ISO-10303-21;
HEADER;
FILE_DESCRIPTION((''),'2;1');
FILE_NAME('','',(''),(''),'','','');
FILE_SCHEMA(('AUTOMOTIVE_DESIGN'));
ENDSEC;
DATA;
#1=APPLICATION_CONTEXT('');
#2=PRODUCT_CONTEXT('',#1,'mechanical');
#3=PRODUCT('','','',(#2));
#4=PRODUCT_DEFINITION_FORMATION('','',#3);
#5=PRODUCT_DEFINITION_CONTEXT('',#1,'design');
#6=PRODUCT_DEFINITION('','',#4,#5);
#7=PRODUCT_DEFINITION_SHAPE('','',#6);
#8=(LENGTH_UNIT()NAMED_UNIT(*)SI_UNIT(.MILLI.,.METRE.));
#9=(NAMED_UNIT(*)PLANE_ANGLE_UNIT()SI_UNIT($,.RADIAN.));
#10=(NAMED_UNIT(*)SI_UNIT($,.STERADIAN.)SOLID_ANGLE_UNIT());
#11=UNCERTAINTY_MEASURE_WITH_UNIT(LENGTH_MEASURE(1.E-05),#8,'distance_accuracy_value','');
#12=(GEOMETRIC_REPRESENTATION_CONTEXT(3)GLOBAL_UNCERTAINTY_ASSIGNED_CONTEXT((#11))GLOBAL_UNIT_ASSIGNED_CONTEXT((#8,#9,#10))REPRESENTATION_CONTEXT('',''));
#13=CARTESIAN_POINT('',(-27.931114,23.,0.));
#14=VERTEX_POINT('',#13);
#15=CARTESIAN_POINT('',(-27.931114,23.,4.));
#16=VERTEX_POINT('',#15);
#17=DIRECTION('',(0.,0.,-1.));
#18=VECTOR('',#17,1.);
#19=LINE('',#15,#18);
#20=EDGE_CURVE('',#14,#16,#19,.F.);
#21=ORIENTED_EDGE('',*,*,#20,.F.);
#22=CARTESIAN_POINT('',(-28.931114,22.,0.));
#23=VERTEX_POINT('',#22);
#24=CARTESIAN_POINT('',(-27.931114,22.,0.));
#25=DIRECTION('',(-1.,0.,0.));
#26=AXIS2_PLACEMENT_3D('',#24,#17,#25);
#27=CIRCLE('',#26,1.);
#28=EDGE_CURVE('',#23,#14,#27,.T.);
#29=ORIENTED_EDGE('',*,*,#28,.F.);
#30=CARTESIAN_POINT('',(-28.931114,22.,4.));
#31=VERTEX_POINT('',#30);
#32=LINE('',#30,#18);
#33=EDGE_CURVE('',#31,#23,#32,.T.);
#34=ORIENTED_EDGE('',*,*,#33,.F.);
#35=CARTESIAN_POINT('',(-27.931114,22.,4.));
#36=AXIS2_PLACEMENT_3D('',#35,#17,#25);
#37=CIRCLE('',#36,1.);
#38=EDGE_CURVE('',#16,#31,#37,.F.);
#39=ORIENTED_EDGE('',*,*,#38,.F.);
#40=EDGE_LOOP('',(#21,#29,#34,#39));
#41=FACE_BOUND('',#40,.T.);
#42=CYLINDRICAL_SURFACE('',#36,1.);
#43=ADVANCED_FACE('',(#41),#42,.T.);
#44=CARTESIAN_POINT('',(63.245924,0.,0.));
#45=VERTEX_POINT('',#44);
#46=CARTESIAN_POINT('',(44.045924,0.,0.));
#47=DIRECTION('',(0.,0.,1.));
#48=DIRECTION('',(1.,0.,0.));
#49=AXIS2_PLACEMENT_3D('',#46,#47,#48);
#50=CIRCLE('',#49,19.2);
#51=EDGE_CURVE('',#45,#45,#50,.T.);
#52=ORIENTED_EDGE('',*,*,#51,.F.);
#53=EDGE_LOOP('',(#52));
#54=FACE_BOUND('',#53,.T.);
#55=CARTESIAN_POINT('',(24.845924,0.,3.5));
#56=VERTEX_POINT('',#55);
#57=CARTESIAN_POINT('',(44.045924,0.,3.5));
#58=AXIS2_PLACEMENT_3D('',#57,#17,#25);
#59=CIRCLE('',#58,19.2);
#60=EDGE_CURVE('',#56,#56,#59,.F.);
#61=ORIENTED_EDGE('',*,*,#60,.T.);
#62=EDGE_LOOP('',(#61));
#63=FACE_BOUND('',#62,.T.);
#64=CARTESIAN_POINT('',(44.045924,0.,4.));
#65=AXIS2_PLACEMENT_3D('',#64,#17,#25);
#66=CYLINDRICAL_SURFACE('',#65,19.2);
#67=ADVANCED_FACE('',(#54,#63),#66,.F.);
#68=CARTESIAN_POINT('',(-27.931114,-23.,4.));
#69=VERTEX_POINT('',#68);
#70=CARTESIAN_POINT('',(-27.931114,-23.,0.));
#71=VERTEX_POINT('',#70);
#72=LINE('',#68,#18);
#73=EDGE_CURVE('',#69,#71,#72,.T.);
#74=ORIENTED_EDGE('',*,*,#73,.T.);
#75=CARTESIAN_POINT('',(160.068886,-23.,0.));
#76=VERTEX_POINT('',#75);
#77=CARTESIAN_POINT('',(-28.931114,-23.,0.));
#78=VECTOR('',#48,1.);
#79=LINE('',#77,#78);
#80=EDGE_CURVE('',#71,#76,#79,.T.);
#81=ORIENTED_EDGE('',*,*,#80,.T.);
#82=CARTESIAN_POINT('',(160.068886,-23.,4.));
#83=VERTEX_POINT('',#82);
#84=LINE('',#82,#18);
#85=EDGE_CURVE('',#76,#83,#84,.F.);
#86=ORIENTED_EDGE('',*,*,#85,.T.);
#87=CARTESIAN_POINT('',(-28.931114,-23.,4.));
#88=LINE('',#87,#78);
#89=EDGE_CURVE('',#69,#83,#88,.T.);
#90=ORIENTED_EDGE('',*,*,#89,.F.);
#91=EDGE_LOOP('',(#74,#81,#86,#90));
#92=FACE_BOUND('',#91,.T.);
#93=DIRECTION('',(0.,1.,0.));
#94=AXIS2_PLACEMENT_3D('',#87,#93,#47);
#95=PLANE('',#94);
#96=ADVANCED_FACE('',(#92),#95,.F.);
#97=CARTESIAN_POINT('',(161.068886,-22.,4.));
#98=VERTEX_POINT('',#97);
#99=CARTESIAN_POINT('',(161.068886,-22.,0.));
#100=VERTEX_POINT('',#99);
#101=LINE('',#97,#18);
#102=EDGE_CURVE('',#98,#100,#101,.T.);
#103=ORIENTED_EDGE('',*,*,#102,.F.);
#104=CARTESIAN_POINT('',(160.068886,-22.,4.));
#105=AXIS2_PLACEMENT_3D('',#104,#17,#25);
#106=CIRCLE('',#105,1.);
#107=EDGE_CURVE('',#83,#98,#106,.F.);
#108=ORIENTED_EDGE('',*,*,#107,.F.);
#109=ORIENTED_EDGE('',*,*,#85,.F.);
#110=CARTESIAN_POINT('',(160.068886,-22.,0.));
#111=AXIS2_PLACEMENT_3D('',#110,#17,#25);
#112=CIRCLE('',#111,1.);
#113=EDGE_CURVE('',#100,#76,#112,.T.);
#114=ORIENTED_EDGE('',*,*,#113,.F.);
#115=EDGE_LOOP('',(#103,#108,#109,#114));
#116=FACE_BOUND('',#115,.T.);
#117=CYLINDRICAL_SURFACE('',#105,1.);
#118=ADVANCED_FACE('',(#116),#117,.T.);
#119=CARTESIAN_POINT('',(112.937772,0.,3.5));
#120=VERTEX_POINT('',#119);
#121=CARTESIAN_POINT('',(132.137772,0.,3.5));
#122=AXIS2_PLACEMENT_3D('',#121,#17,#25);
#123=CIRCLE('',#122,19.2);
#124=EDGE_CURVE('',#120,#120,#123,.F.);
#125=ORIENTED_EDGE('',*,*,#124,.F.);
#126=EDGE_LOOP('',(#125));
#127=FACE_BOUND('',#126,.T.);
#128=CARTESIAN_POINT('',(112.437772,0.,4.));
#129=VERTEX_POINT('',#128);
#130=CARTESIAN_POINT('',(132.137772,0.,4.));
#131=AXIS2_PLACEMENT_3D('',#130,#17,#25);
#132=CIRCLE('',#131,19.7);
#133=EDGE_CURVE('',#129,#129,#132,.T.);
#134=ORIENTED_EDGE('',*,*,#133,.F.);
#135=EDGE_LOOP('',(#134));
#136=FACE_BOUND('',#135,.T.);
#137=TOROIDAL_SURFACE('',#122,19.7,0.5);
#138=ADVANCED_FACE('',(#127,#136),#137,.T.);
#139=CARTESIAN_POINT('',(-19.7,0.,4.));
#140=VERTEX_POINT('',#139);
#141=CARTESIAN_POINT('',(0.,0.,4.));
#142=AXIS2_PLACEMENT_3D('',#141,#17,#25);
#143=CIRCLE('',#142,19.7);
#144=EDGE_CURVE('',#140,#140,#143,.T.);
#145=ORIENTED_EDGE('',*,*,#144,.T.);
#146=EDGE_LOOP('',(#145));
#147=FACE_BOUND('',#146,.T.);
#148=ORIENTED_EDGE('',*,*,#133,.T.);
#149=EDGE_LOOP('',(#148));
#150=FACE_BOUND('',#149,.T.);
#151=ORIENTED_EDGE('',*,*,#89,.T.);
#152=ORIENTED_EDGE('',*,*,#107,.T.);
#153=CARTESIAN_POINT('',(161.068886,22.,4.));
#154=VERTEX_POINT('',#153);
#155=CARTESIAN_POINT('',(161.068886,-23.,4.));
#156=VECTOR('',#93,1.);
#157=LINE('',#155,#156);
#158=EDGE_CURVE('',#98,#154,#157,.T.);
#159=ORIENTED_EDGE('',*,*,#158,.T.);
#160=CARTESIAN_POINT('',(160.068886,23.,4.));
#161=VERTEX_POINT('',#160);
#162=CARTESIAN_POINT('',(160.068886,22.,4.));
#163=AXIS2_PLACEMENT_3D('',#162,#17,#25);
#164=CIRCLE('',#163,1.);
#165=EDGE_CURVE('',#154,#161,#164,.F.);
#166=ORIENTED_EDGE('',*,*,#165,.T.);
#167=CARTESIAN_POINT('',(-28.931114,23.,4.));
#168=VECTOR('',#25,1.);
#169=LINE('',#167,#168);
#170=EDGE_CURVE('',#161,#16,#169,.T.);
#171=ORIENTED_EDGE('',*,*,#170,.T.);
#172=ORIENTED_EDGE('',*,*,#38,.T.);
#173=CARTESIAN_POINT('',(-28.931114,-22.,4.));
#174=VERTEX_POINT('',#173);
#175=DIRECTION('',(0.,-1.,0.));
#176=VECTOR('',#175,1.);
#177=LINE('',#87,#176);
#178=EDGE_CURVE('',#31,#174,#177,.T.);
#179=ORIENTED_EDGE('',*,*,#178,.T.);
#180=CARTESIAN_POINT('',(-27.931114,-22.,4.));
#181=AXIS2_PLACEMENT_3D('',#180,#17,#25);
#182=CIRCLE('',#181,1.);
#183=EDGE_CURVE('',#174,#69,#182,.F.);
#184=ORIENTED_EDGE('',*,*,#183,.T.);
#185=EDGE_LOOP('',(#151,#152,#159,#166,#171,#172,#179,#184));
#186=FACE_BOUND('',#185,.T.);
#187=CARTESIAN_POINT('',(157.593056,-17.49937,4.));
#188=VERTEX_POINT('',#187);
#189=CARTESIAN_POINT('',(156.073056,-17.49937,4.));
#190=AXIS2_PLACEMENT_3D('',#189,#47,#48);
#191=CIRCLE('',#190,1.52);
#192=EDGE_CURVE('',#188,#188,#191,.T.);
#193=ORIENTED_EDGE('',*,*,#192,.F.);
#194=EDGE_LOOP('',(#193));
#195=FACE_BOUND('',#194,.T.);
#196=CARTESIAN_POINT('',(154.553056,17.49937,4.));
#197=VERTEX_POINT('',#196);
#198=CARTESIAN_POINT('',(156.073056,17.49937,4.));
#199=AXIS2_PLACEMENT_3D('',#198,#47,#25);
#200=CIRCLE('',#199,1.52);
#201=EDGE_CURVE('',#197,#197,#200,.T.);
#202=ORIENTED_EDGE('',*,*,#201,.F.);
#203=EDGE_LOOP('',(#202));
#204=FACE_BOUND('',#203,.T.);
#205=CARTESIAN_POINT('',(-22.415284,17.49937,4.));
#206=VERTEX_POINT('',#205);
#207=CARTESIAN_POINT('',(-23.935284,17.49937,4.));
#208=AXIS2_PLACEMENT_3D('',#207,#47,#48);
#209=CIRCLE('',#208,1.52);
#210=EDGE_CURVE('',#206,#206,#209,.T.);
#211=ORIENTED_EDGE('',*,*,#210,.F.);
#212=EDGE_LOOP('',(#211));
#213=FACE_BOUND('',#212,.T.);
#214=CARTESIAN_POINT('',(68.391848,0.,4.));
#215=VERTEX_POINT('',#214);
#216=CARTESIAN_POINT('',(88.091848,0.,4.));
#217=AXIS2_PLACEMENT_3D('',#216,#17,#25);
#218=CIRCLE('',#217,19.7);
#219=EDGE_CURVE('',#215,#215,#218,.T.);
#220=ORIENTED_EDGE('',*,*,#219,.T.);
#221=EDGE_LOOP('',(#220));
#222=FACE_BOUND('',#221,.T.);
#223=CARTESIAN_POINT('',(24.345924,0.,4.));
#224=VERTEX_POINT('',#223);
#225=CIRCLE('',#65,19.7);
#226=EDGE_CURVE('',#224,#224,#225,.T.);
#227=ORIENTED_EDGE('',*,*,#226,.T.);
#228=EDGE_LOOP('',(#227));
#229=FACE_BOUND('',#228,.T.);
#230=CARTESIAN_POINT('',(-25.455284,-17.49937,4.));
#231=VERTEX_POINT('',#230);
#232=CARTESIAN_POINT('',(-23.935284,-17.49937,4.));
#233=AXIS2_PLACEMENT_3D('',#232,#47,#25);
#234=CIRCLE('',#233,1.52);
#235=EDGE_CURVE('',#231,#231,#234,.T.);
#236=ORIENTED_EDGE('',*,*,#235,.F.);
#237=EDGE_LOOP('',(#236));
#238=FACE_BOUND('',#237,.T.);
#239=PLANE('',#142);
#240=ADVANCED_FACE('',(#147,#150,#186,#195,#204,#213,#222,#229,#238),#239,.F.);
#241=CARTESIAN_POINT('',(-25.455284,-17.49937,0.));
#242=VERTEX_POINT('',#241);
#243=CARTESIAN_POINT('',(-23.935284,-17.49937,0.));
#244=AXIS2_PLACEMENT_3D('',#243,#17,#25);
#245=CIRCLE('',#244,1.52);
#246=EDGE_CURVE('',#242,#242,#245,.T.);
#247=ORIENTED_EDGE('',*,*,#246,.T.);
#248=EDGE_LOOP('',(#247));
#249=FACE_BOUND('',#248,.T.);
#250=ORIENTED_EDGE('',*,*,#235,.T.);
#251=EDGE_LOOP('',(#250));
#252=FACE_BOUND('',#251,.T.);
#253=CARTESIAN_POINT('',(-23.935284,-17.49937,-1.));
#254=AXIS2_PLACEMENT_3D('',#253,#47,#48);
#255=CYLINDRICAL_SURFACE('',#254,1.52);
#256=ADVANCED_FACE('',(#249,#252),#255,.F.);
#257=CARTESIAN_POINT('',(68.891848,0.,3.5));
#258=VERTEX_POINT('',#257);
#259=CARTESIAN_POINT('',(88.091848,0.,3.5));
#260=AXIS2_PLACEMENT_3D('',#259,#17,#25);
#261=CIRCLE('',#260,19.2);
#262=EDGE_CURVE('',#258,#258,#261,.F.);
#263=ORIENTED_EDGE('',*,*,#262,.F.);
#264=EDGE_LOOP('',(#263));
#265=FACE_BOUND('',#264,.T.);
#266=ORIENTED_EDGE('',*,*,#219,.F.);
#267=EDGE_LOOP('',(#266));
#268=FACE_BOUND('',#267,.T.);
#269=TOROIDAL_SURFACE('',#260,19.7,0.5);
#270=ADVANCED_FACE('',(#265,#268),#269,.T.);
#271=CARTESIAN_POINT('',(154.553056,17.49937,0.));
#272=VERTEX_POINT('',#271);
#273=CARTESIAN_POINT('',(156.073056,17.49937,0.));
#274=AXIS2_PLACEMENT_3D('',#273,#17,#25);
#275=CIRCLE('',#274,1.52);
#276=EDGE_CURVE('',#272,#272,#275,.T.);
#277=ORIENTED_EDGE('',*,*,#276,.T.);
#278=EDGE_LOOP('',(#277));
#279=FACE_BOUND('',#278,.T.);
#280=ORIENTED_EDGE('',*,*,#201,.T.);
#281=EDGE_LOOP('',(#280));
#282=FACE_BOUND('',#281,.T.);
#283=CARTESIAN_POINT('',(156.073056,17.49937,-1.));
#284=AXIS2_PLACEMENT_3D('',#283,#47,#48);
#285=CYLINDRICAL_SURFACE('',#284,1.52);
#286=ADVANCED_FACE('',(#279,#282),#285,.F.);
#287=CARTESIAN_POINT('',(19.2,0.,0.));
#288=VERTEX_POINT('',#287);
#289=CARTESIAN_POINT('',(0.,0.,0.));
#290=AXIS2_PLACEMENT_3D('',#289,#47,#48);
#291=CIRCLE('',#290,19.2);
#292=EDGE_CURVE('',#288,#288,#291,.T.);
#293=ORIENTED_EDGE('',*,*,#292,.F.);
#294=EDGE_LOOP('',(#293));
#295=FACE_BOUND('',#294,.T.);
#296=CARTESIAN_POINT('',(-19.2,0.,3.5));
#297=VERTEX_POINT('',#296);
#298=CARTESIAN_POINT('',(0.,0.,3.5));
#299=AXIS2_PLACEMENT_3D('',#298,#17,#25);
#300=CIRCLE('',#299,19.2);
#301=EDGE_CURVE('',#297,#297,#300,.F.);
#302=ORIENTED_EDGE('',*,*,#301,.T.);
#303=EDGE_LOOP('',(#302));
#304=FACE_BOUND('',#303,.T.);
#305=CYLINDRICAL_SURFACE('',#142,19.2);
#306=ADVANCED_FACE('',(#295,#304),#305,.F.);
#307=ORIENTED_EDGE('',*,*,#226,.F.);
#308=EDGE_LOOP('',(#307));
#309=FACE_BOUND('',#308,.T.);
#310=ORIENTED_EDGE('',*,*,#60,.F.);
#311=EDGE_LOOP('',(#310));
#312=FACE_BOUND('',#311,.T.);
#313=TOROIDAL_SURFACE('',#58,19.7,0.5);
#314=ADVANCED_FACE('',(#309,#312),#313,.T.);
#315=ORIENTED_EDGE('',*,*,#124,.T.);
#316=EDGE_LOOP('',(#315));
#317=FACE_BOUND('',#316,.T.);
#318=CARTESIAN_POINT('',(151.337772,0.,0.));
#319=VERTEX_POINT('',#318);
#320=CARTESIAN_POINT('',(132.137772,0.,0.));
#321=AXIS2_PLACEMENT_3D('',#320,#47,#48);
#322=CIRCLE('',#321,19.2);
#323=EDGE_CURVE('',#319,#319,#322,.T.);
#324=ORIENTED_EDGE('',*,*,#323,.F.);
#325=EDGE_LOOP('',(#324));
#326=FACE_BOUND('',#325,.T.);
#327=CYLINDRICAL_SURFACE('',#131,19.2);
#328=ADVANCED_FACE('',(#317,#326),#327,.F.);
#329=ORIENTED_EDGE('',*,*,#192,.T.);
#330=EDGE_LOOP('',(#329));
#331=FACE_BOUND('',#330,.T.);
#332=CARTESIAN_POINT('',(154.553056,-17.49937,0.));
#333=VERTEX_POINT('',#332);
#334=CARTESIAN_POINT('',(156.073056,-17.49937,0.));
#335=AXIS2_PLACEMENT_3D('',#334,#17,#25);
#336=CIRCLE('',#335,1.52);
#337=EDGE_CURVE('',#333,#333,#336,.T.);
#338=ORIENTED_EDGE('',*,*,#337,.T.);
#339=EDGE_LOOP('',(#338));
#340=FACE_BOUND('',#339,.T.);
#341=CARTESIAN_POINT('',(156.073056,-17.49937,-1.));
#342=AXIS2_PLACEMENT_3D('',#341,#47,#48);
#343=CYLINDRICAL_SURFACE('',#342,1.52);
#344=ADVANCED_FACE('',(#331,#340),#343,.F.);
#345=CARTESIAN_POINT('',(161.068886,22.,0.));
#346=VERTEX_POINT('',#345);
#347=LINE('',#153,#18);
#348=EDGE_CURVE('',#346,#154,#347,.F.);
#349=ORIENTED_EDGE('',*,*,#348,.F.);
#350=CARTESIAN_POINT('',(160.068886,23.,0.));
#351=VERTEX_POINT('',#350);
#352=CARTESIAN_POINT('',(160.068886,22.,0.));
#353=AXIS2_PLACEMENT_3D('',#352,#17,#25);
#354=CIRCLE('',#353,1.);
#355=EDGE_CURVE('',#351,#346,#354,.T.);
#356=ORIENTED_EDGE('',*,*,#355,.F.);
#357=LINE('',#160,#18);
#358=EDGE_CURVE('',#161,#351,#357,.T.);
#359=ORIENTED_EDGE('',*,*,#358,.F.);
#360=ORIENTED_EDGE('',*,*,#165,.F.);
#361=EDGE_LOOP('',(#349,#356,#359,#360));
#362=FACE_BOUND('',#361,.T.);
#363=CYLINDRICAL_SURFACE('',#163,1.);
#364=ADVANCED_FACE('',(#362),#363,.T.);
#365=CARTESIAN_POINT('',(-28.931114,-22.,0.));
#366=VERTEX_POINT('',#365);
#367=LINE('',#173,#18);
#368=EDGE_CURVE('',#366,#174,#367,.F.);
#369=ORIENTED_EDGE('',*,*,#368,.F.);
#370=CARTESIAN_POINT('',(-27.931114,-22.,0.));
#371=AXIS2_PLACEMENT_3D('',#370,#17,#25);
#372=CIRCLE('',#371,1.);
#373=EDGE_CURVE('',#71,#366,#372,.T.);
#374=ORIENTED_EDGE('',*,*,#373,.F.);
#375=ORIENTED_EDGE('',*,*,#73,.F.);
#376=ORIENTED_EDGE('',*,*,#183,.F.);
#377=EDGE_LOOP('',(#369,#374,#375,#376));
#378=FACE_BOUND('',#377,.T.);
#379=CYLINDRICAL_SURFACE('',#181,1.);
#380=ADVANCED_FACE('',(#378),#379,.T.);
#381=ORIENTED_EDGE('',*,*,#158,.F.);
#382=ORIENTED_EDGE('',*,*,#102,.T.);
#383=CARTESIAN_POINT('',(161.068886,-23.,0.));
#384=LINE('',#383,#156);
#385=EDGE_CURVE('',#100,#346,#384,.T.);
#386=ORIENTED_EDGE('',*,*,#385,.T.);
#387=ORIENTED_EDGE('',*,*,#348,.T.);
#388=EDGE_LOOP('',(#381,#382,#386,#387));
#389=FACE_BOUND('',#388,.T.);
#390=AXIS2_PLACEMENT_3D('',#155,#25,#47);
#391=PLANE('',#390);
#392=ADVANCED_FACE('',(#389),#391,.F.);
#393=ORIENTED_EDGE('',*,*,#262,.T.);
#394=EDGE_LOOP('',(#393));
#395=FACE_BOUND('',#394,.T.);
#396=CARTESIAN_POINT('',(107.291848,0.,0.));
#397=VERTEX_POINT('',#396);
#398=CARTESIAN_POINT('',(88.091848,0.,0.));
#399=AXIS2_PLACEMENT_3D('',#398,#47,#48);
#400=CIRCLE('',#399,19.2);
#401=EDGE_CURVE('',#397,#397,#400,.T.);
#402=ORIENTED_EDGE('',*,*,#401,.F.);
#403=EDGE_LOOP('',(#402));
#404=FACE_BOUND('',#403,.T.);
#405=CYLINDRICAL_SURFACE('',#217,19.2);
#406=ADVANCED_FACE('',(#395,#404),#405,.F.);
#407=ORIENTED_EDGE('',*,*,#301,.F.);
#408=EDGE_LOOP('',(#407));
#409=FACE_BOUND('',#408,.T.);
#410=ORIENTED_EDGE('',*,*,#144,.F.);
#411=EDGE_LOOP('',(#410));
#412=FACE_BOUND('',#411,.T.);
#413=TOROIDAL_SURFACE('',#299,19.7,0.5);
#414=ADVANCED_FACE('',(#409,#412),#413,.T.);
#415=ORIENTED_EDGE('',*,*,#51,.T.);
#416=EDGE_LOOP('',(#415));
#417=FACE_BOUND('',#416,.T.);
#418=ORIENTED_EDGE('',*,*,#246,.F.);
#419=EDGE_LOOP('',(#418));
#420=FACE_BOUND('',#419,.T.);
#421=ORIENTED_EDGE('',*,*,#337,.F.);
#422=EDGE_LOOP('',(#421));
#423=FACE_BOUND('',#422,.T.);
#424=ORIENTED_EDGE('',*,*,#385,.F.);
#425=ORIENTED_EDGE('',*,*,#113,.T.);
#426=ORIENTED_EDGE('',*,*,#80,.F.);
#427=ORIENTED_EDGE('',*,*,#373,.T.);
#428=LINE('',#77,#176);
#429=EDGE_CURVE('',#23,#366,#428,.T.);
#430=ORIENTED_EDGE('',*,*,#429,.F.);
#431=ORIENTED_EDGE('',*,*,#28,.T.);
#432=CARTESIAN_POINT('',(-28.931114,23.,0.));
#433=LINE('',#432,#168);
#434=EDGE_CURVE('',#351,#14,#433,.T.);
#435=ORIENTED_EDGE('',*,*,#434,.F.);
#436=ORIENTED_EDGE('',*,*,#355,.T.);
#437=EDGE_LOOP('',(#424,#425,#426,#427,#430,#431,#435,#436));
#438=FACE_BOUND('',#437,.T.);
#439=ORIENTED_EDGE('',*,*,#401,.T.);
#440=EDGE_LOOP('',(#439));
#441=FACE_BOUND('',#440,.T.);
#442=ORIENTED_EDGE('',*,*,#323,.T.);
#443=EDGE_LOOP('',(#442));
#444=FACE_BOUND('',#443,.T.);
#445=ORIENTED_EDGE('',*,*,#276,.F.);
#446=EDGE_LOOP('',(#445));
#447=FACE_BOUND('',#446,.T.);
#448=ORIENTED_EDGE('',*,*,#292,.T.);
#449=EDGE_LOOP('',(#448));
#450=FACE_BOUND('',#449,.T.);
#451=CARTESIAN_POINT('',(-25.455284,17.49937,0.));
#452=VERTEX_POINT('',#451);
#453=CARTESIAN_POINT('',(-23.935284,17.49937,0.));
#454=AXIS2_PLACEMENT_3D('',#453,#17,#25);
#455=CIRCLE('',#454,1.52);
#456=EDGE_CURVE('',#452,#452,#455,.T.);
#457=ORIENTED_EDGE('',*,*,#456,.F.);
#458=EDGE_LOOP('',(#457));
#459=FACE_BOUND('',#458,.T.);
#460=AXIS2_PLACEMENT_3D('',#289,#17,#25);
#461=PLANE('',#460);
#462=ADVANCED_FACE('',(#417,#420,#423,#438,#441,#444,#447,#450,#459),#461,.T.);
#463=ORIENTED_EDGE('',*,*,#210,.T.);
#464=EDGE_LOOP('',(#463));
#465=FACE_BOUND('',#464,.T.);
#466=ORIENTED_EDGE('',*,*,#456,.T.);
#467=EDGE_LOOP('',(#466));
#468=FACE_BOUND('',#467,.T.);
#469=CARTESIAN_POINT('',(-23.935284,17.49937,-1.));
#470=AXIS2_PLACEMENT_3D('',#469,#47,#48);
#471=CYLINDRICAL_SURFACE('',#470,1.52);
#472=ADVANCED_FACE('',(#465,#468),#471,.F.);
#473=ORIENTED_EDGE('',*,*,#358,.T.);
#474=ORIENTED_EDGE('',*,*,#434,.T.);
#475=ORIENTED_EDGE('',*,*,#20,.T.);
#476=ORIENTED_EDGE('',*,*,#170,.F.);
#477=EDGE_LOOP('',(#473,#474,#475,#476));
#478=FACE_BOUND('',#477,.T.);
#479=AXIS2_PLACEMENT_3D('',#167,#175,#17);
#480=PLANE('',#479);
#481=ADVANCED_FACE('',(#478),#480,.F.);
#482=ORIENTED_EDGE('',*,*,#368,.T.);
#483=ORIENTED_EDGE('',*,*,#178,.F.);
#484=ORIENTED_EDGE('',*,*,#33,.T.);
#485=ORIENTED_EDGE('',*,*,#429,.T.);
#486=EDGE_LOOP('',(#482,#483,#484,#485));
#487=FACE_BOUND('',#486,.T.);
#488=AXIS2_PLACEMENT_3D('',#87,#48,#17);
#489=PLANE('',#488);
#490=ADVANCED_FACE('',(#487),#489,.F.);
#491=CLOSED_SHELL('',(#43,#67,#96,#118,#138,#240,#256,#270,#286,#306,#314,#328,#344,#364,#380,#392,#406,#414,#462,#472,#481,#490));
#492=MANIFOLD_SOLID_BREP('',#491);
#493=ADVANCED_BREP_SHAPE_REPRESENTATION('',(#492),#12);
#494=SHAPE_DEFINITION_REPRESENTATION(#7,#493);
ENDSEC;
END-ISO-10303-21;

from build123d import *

# Parameters (mm, degrees)
ESQUISSE1_W             = 190
ESQUISSE1_H             = 46
ESQUISSE1_R             = 19.2
BOSS_EXTRU_1_DEPTH      = 4
ESQUISSE2_R             = 1.52
ENL_V_MAT_EXTRU_1_DEPTH = 5
CONG_2_R                = 1
CONG_3_R                = 0.5


with BuildPart() as part:
    # Esquisse1 → Boss.-Extru.1 (new body)
    with BuildSketch(Plane.XY):
        with Locations((66.068886156, 0)):
            Rectangle(ESQUISSE1_W, ESQUISSE1_H)
        Circle(ESQUISSE1_R, mode=Mode.SUBTRACT)
        with Locations((44.045924104, 0)):
            Circle(ESQUISSE1_R, mode=Mode.SUBTRACT)
        with Locations((88.091848208, 0)):
            Circle(ESQUISSE1_R, mode=Mode.SUBTRACT)
        with Locations((132.137772312, 0)):
            Circle(ESQUISSE1_R, mode=Mode.SUBTRACT)
    extrude(amount=BOSS_EXTRU_1_DEPTH)

    # Esquisse2 → Enlèv. mat.-Extru.1 (cut)
    with BuildSketch(Plane.XY.offset(4)):
        with Locations((-23.935283884, 17.499369506)):
            Circle(ESQUISSE2_R)
        with Locations(Location((-23.935283884, -17.499369506, 0), (0, 0, 180))):
            Circle(ESQUISSE2_R)
        with Locations((156.073056196, -17.499369506)):
            Circle(ESQUISSE2_R)
        with Locations(Location((156.073056196, 17.499369506, 0), (0, 0, 180))):
            Circle(ESQUISSE2_R)
    extrude(amount=-ENL_V_MAT_EXTRU_1_DEPTH, mode=Mode.SUBTRACT)

    # Congé2
    cong_2_edges = [part.edges().sort_by_distance(p)[0] for p in [
        (161.068886156, -23, 2),
        (-28.931113844, -23, 2),
        (-28.931113844, 23, 2),
        (161.068886156, 23, 2),
    ]]
    fillet(cong_2_edges, radius=CONG_2_R)

    # Congé3
    cong_3_edges = [part.edges().sort_by_distance(p)[0] for p in [
        (-19.2, 0, 4),
        (24.845924104, 0, 4),
        (68.891848208, 0, 4),
        (112.937772312, 0, 4),
    ]]
    fillet(cong_3_edges, radius=CONG_3_R)


solid = part.part
